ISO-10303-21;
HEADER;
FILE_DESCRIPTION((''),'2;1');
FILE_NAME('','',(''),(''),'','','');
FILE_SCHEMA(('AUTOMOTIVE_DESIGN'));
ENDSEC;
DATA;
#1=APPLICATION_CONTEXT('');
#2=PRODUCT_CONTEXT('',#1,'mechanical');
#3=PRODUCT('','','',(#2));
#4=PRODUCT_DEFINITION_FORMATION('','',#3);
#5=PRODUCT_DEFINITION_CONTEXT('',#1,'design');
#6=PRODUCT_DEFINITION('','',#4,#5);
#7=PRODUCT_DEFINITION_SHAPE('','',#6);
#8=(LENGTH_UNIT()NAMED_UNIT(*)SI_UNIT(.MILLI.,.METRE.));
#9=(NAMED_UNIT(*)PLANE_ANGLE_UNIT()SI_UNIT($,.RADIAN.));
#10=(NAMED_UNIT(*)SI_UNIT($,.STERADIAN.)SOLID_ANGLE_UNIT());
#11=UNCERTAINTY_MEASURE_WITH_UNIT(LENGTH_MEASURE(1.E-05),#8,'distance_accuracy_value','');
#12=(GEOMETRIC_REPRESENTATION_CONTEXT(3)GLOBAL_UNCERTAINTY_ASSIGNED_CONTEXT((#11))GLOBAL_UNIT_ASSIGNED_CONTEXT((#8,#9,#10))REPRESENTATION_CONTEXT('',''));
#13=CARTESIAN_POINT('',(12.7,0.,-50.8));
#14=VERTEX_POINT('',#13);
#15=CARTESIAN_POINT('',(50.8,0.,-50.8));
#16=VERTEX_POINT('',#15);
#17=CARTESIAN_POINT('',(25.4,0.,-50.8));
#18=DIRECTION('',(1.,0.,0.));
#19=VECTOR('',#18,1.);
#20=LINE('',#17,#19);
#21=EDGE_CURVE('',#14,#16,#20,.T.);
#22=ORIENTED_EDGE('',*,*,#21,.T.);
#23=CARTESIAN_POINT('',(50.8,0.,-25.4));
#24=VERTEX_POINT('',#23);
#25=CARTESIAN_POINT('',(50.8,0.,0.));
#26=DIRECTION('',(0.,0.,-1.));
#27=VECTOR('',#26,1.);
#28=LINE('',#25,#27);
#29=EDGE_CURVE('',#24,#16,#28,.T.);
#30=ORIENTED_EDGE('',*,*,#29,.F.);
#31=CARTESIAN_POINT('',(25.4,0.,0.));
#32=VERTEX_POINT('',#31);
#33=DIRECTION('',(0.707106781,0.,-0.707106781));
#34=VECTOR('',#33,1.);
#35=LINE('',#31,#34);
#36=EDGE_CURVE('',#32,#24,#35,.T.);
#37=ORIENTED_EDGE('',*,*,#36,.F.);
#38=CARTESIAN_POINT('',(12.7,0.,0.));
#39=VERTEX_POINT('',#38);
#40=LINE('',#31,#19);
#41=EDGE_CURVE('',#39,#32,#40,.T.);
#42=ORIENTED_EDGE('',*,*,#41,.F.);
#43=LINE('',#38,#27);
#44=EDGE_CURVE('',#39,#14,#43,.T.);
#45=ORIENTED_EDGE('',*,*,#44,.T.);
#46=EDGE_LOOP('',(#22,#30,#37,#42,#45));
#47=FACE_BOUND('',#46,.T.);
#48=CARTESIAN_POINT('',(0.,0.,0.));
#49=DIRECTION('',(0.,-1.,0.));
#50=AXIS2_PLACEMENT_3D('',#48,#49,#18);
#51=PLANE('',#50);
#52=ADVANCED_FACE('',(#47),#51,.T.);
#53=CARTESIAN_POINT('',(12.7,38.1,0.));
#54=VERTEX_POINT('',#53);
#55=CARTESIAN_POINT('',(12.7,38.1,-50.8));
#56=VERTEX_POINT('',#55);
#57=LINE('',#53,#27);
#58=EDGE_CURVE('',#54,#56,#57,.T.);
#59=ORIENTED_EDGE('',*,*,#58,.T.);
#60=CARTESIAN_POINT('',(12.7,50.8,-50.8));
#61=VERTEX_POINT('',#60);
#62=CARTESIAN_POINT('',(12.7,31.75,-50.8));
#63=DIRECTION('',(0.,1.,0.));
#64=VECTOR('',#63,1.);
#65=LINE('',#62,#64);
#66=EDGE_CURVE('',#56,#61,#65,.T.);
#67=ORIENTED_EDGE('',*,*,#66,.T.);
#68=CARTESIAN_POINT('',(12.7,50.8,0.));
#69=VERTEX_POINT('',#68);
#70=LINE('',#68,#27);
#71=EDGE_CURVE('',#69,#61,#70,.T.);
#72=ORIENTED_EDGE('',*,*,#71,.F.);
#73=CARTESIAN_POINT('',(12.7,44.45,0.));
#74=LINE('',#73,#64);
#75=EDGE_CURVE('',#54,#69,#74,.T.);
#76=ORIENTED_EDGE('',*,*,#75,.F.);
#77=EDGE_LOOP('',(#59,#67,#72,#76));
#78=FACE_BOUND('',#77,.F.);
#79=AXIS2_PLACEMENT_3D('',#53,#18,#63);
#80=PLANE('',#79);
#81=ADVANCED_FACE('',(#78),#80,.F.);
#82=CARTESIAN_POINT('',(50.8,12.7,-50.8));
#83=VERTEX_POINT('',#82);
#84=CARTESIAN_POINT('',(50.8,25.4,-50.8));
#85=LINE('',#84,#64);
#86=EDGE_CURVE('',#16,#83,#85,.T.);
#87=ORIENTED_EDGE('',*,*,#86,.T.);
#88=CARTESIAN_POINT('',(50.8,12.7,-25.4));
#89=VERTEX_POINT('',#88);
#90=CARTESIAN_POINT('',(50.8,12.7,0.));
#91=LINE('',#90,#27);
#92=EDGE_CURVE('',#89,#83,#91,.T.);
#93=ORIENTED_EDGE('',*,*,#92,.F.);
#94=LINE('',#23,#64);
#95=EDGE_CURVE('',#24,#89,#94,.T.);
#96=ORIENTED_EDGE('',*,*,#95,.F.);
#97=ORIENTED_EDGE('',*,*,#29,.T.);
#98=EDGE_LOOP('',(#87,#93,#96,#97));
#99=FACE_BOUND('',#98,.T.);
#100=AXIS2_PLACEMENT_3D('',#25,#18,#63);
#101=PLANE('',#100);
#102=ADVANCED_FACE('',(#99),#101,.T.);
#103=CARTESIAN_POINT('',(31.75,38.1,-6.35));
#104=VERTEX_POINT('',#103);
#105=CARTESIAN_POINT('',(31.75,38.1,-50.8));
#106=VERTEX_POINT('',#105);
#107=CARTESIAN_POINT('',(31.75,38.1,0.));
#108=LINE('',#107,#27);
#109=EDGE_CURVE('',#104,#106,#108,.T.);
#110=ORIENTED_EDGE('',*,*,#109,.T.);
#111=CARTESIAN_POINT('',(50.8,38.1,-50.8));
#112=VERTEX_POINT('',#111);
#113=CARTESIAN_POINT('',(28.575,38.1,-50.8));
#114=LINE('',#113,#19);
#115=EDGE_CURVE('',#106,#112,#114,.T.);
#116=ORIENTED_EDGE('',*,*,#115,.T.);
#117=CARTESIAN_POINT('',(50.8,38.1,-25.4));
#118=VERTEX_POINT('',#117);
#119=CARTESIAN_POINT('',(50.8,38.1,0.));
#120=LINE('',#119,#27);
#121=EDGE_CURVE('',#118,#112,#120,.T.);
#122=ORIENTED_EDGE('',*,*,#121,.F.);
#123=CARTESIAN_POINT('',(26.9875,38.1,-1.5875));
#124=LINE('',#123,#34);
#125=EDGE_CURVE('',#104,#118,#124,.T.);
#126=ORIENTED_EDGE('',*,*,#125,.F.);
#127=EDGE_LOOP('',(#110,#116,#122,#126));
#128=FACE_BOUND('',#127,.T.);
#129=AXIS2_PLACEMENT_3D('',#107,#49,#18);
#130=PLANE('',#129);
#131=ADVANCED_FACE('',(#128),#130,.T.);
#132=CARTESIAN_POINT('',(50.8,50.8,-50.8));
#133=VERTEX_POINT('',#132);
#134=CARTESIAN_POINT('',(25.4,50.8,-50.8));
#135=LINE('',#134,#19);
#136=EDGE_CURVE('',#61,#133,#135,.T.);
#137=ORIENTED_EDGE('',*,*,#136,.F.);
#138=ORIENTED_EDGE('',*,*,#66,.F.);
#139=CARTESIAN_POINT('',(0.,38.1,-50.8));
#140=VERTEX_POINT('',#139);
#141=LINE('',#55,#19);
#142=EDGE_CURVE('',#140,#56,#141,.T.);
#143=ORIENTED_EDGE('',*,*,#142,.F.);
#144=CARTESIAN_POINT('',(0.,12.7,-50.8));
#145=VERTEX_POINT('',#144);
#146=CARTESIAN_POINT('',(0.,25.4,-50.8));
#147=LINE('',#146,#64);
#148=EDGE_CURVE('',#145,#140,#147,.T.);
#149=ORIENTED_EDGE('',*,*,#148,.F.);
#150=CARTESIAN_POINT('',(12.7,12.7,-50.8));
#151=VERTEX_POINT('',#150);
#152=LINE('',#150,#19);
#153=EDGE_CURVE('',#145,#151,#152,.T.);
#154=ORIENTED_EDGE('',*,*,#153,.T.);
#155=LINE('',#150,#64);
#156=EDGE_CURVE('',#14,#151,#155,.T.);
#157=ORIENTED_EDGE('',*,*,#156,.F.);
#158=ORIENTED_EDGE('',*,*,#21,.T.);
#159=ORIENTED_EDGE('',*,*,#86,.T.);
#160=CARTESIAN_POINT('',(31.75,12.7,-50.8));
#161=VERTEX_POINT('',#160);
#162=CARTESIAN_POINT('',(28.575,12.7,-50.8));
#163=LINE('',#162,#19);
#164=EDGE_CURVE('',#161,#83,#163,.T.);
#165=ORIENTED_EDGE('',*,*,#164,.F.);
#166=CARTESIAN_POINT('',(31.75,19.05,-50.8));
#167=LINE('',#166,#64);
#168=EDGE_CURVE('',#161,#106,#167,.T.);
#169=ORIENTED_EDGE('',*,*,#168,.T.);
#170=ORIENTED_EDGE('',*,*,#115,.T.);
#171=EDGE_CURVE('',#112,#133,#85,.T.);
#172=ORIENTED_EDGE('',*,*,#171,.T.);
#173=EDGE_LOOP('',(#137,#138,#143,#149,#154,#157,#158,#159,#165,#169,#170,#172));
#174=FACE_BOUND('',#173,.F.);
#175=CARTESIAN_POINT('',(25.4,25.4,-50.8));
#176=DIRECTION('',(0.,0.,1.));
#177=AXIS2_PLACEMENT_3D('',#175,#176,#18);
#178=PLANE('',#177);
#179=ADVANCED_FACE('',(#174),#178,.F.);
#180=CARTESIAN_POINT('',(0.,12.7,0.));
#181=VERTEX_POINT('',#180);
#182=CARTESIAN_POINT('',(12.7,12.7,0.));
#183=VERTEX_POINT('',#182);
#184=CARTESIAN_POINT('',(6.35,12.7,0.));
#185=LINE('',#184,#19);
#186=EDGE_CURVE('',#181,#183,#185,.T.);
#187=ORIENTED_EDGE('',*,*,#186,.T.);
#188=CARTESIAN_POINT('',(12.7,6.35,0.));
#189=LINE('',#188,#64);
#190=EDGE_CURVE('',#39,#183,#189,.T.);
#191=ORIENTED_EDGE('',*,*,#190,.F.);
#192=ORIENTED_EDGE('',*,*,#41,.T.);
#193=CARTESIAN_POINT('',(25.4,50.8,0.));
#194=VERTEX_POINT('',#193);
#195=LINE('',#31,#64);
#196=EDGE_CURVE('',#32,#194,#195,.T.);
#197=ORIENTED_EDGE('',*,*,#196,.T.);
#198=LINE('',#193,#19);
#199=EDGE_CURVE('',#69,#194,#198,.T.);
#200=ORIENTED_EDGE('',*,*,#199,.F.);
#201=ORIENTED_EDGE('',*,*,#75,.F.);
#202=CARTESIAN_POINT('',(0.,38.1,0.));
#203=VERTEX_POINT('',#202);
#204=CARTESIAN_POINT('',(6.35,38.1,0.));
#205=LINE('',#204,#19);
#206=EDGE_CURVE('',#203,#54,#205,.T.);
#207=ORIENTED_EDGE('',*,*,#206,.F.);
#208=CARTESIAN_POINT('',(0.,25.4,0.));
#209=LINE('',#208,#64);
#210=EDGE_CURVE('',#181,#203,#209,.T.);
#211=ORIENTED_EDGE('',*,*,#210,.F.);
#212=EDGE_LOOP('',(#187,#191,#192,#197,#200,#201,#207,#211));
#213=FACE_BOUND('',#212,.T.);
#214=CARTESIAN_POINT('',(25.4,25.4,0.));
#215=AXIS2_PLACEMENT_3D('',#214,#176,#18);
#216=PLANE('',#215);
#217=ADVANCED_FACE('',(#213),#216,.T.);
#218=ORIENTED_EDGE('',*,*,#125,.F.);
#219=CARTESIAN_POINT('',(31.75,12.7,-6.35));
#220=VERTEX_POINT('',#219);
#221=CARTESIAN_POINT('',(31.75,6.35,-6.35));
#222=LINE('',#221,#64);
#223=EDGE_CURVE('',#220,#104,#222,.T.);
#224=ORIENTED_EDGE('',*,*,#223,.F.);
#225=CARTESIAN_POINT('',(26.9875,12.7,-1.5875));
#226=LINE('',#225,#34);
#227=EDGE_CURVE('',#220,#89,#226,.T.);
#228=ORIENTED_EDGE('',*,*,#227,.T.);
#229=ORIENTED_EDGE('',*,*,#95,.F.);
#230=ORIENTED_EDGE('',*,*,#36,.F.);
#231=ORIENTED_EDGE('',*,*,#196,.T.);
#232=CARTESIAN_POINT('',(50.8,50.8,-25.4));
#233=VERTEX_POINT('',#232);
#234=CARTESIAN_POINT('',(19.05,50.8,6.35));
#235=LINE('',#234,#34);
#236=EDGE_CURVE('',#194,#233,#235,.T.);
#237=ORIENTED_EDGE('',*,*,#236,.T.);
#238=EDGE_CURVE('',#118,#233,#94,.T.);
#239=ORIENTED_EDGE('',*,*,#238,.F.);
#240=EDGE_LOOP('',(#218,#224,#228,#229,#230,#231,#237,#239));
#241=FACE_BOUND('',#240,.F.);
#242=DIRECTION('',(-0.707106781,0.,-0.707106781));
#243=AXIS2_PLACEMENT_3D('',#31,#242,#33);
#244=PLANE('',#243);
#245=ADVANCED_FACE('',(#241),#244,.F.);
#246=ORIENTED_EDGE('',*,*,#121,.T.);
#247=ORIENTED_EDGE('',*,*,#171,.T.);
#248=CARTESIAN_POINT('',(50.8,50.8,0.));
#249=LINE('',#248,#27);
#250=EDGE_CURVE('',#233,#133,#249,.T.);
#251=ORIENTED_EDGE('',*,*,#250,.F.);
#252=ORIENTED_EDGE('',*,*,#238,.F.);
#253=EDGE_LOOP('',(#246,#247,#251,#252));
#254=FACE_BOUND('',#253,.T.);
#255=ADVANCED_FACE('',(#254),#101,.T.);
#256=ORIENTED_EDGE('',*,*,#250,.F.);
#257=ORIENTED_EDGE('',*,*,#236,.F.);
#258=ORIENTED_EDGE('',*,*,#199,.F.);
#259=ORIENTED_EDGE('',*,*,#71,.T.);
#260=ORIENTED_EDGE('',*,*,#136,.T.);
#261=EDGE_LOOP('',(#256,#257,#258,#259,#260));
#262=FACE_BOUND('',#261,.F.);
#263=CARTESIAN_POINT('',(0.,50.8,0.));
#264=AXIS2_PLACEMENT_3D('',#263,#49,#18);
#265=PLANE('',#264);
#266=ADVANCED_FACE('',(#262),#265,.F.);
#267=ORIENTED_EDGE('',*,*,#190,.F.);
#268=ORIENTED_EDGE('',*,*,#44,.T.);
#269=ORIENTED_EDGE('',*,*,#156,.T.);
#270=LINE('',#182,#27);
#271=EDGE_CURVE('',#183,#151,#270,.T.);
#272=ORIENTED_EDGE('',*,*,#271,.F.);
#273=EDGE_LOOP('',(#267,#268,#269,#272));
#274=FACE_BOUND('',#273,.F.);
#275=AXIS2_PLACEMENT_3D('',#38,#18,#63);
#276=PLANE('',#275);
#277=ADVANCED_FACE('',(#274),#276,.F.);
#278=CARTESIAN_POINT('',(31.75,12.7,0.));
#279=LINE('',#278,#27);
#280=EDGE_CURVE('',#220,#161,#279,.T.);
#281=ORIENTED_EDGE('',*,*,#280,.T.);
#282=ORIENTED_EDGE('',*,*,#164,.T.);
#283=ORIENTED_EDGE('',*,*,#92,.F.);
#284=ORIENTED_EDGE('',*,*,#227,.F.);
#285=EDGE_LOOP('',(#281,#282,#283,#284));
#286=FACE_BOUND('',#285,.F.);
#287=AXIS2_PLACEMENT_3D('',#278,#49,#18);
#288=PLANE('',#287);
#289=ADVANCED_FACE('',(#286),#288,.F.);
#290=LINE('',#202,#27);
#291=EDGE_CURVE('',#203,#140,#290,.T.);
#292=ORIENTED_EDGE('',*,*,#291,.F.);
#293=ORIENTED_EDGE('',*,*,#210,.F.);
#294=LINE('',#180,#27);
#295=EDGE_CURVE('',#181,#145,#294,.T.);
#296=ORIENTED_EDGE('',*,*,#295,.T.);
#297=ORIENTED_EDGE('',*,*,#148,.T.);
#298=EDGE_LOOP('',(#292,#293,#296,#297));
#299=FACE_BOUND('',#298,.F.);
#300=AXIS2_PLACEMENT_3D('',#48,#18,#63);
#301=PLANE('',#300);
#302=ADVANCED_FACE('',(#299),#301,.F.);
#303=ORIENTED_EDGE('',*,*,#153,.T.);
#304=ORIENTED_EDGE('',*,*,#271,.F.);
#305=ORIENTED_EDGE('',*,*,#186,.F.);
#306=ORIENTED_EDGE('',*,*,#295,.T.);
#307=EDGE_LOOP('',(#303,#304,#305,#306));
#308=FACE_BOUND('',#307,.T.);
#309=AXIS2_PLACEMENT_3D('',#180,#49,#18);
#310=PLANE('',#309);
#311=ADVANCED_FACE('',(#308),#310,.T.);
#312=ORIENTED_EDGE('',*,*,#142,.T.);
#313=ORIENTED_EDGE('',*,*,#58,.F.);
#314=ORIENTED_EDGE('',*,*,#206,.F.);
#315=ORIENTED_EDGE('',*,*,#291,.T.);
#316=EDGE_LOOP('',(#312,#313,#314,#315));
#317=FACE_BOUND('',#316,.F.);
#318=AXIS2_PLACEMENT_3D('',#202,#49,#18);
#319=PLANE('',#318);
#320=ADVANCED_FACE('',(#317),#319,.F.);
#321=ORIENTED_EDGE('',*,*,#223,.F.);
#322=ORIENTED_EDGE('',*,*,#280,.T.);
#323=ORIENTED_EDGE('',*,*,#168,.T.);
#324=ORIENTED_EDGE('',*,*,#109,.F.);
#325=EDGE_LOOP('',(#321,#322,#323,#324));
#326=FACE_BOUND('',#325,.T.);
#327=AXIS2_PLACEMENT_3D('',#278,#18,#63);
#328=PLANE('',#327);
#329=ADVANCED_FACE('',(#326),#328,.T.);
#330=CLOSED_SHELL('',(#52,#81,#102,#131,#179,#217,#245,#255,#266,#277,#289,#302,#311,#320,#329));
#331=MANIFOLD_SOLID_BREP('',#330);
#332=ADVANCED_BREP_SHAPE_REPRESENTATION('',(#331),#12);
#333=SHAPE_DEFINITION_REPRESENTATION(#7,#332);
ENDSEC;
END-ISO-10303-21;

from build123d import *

# Parameters (mm, degrees)
F0_W     = 50.8
F0_H     = 50.8
F1_DEPTH = 50.8
F2_W     = 19.05
F2_H     = 25.4
F2_W_2   = 12.7
F2_H_2   = 12.7
F3_DEPTH = 50.801
F5_DEPTH = 50.801


with BuildPart() as f1:
    # F0 (on Top) → F1 (new body)
    with BuildSketch(Plane.XY):
        with Locations((25.4, 25.4)):
            Rectangle(F0_W, F0_H)
    extrude(amount=-F1_DEPTH)

    # F2 (on Top) → F3 (cut, through all)
    with BuildSketch(Plane.XY):
        with Locations((41.275, 25.4)):
            Rectangle(F2_W, F2_H)
        with Locations((6.35, 6.35)):
            Rectangle(F2_W_2, F2_H_2)
        with Locations((6.35, 44.45)):
            Rectangle(F2_W_2, F2_H_2)
    extrude(amount=-F3_DEPTH, mode=Mode.SUBTRACT)

    # F4 (on Front) → F5 (cut, through all)
    with BuildSketch(Plane.XZ):
        Polygon((50.8, -25.4), (50.8, 0), (25.4, 0), align=None)
    extrude(amount=-F5_DEPTH, mode=Mode.SUBTRACT)


solid = f1.part
